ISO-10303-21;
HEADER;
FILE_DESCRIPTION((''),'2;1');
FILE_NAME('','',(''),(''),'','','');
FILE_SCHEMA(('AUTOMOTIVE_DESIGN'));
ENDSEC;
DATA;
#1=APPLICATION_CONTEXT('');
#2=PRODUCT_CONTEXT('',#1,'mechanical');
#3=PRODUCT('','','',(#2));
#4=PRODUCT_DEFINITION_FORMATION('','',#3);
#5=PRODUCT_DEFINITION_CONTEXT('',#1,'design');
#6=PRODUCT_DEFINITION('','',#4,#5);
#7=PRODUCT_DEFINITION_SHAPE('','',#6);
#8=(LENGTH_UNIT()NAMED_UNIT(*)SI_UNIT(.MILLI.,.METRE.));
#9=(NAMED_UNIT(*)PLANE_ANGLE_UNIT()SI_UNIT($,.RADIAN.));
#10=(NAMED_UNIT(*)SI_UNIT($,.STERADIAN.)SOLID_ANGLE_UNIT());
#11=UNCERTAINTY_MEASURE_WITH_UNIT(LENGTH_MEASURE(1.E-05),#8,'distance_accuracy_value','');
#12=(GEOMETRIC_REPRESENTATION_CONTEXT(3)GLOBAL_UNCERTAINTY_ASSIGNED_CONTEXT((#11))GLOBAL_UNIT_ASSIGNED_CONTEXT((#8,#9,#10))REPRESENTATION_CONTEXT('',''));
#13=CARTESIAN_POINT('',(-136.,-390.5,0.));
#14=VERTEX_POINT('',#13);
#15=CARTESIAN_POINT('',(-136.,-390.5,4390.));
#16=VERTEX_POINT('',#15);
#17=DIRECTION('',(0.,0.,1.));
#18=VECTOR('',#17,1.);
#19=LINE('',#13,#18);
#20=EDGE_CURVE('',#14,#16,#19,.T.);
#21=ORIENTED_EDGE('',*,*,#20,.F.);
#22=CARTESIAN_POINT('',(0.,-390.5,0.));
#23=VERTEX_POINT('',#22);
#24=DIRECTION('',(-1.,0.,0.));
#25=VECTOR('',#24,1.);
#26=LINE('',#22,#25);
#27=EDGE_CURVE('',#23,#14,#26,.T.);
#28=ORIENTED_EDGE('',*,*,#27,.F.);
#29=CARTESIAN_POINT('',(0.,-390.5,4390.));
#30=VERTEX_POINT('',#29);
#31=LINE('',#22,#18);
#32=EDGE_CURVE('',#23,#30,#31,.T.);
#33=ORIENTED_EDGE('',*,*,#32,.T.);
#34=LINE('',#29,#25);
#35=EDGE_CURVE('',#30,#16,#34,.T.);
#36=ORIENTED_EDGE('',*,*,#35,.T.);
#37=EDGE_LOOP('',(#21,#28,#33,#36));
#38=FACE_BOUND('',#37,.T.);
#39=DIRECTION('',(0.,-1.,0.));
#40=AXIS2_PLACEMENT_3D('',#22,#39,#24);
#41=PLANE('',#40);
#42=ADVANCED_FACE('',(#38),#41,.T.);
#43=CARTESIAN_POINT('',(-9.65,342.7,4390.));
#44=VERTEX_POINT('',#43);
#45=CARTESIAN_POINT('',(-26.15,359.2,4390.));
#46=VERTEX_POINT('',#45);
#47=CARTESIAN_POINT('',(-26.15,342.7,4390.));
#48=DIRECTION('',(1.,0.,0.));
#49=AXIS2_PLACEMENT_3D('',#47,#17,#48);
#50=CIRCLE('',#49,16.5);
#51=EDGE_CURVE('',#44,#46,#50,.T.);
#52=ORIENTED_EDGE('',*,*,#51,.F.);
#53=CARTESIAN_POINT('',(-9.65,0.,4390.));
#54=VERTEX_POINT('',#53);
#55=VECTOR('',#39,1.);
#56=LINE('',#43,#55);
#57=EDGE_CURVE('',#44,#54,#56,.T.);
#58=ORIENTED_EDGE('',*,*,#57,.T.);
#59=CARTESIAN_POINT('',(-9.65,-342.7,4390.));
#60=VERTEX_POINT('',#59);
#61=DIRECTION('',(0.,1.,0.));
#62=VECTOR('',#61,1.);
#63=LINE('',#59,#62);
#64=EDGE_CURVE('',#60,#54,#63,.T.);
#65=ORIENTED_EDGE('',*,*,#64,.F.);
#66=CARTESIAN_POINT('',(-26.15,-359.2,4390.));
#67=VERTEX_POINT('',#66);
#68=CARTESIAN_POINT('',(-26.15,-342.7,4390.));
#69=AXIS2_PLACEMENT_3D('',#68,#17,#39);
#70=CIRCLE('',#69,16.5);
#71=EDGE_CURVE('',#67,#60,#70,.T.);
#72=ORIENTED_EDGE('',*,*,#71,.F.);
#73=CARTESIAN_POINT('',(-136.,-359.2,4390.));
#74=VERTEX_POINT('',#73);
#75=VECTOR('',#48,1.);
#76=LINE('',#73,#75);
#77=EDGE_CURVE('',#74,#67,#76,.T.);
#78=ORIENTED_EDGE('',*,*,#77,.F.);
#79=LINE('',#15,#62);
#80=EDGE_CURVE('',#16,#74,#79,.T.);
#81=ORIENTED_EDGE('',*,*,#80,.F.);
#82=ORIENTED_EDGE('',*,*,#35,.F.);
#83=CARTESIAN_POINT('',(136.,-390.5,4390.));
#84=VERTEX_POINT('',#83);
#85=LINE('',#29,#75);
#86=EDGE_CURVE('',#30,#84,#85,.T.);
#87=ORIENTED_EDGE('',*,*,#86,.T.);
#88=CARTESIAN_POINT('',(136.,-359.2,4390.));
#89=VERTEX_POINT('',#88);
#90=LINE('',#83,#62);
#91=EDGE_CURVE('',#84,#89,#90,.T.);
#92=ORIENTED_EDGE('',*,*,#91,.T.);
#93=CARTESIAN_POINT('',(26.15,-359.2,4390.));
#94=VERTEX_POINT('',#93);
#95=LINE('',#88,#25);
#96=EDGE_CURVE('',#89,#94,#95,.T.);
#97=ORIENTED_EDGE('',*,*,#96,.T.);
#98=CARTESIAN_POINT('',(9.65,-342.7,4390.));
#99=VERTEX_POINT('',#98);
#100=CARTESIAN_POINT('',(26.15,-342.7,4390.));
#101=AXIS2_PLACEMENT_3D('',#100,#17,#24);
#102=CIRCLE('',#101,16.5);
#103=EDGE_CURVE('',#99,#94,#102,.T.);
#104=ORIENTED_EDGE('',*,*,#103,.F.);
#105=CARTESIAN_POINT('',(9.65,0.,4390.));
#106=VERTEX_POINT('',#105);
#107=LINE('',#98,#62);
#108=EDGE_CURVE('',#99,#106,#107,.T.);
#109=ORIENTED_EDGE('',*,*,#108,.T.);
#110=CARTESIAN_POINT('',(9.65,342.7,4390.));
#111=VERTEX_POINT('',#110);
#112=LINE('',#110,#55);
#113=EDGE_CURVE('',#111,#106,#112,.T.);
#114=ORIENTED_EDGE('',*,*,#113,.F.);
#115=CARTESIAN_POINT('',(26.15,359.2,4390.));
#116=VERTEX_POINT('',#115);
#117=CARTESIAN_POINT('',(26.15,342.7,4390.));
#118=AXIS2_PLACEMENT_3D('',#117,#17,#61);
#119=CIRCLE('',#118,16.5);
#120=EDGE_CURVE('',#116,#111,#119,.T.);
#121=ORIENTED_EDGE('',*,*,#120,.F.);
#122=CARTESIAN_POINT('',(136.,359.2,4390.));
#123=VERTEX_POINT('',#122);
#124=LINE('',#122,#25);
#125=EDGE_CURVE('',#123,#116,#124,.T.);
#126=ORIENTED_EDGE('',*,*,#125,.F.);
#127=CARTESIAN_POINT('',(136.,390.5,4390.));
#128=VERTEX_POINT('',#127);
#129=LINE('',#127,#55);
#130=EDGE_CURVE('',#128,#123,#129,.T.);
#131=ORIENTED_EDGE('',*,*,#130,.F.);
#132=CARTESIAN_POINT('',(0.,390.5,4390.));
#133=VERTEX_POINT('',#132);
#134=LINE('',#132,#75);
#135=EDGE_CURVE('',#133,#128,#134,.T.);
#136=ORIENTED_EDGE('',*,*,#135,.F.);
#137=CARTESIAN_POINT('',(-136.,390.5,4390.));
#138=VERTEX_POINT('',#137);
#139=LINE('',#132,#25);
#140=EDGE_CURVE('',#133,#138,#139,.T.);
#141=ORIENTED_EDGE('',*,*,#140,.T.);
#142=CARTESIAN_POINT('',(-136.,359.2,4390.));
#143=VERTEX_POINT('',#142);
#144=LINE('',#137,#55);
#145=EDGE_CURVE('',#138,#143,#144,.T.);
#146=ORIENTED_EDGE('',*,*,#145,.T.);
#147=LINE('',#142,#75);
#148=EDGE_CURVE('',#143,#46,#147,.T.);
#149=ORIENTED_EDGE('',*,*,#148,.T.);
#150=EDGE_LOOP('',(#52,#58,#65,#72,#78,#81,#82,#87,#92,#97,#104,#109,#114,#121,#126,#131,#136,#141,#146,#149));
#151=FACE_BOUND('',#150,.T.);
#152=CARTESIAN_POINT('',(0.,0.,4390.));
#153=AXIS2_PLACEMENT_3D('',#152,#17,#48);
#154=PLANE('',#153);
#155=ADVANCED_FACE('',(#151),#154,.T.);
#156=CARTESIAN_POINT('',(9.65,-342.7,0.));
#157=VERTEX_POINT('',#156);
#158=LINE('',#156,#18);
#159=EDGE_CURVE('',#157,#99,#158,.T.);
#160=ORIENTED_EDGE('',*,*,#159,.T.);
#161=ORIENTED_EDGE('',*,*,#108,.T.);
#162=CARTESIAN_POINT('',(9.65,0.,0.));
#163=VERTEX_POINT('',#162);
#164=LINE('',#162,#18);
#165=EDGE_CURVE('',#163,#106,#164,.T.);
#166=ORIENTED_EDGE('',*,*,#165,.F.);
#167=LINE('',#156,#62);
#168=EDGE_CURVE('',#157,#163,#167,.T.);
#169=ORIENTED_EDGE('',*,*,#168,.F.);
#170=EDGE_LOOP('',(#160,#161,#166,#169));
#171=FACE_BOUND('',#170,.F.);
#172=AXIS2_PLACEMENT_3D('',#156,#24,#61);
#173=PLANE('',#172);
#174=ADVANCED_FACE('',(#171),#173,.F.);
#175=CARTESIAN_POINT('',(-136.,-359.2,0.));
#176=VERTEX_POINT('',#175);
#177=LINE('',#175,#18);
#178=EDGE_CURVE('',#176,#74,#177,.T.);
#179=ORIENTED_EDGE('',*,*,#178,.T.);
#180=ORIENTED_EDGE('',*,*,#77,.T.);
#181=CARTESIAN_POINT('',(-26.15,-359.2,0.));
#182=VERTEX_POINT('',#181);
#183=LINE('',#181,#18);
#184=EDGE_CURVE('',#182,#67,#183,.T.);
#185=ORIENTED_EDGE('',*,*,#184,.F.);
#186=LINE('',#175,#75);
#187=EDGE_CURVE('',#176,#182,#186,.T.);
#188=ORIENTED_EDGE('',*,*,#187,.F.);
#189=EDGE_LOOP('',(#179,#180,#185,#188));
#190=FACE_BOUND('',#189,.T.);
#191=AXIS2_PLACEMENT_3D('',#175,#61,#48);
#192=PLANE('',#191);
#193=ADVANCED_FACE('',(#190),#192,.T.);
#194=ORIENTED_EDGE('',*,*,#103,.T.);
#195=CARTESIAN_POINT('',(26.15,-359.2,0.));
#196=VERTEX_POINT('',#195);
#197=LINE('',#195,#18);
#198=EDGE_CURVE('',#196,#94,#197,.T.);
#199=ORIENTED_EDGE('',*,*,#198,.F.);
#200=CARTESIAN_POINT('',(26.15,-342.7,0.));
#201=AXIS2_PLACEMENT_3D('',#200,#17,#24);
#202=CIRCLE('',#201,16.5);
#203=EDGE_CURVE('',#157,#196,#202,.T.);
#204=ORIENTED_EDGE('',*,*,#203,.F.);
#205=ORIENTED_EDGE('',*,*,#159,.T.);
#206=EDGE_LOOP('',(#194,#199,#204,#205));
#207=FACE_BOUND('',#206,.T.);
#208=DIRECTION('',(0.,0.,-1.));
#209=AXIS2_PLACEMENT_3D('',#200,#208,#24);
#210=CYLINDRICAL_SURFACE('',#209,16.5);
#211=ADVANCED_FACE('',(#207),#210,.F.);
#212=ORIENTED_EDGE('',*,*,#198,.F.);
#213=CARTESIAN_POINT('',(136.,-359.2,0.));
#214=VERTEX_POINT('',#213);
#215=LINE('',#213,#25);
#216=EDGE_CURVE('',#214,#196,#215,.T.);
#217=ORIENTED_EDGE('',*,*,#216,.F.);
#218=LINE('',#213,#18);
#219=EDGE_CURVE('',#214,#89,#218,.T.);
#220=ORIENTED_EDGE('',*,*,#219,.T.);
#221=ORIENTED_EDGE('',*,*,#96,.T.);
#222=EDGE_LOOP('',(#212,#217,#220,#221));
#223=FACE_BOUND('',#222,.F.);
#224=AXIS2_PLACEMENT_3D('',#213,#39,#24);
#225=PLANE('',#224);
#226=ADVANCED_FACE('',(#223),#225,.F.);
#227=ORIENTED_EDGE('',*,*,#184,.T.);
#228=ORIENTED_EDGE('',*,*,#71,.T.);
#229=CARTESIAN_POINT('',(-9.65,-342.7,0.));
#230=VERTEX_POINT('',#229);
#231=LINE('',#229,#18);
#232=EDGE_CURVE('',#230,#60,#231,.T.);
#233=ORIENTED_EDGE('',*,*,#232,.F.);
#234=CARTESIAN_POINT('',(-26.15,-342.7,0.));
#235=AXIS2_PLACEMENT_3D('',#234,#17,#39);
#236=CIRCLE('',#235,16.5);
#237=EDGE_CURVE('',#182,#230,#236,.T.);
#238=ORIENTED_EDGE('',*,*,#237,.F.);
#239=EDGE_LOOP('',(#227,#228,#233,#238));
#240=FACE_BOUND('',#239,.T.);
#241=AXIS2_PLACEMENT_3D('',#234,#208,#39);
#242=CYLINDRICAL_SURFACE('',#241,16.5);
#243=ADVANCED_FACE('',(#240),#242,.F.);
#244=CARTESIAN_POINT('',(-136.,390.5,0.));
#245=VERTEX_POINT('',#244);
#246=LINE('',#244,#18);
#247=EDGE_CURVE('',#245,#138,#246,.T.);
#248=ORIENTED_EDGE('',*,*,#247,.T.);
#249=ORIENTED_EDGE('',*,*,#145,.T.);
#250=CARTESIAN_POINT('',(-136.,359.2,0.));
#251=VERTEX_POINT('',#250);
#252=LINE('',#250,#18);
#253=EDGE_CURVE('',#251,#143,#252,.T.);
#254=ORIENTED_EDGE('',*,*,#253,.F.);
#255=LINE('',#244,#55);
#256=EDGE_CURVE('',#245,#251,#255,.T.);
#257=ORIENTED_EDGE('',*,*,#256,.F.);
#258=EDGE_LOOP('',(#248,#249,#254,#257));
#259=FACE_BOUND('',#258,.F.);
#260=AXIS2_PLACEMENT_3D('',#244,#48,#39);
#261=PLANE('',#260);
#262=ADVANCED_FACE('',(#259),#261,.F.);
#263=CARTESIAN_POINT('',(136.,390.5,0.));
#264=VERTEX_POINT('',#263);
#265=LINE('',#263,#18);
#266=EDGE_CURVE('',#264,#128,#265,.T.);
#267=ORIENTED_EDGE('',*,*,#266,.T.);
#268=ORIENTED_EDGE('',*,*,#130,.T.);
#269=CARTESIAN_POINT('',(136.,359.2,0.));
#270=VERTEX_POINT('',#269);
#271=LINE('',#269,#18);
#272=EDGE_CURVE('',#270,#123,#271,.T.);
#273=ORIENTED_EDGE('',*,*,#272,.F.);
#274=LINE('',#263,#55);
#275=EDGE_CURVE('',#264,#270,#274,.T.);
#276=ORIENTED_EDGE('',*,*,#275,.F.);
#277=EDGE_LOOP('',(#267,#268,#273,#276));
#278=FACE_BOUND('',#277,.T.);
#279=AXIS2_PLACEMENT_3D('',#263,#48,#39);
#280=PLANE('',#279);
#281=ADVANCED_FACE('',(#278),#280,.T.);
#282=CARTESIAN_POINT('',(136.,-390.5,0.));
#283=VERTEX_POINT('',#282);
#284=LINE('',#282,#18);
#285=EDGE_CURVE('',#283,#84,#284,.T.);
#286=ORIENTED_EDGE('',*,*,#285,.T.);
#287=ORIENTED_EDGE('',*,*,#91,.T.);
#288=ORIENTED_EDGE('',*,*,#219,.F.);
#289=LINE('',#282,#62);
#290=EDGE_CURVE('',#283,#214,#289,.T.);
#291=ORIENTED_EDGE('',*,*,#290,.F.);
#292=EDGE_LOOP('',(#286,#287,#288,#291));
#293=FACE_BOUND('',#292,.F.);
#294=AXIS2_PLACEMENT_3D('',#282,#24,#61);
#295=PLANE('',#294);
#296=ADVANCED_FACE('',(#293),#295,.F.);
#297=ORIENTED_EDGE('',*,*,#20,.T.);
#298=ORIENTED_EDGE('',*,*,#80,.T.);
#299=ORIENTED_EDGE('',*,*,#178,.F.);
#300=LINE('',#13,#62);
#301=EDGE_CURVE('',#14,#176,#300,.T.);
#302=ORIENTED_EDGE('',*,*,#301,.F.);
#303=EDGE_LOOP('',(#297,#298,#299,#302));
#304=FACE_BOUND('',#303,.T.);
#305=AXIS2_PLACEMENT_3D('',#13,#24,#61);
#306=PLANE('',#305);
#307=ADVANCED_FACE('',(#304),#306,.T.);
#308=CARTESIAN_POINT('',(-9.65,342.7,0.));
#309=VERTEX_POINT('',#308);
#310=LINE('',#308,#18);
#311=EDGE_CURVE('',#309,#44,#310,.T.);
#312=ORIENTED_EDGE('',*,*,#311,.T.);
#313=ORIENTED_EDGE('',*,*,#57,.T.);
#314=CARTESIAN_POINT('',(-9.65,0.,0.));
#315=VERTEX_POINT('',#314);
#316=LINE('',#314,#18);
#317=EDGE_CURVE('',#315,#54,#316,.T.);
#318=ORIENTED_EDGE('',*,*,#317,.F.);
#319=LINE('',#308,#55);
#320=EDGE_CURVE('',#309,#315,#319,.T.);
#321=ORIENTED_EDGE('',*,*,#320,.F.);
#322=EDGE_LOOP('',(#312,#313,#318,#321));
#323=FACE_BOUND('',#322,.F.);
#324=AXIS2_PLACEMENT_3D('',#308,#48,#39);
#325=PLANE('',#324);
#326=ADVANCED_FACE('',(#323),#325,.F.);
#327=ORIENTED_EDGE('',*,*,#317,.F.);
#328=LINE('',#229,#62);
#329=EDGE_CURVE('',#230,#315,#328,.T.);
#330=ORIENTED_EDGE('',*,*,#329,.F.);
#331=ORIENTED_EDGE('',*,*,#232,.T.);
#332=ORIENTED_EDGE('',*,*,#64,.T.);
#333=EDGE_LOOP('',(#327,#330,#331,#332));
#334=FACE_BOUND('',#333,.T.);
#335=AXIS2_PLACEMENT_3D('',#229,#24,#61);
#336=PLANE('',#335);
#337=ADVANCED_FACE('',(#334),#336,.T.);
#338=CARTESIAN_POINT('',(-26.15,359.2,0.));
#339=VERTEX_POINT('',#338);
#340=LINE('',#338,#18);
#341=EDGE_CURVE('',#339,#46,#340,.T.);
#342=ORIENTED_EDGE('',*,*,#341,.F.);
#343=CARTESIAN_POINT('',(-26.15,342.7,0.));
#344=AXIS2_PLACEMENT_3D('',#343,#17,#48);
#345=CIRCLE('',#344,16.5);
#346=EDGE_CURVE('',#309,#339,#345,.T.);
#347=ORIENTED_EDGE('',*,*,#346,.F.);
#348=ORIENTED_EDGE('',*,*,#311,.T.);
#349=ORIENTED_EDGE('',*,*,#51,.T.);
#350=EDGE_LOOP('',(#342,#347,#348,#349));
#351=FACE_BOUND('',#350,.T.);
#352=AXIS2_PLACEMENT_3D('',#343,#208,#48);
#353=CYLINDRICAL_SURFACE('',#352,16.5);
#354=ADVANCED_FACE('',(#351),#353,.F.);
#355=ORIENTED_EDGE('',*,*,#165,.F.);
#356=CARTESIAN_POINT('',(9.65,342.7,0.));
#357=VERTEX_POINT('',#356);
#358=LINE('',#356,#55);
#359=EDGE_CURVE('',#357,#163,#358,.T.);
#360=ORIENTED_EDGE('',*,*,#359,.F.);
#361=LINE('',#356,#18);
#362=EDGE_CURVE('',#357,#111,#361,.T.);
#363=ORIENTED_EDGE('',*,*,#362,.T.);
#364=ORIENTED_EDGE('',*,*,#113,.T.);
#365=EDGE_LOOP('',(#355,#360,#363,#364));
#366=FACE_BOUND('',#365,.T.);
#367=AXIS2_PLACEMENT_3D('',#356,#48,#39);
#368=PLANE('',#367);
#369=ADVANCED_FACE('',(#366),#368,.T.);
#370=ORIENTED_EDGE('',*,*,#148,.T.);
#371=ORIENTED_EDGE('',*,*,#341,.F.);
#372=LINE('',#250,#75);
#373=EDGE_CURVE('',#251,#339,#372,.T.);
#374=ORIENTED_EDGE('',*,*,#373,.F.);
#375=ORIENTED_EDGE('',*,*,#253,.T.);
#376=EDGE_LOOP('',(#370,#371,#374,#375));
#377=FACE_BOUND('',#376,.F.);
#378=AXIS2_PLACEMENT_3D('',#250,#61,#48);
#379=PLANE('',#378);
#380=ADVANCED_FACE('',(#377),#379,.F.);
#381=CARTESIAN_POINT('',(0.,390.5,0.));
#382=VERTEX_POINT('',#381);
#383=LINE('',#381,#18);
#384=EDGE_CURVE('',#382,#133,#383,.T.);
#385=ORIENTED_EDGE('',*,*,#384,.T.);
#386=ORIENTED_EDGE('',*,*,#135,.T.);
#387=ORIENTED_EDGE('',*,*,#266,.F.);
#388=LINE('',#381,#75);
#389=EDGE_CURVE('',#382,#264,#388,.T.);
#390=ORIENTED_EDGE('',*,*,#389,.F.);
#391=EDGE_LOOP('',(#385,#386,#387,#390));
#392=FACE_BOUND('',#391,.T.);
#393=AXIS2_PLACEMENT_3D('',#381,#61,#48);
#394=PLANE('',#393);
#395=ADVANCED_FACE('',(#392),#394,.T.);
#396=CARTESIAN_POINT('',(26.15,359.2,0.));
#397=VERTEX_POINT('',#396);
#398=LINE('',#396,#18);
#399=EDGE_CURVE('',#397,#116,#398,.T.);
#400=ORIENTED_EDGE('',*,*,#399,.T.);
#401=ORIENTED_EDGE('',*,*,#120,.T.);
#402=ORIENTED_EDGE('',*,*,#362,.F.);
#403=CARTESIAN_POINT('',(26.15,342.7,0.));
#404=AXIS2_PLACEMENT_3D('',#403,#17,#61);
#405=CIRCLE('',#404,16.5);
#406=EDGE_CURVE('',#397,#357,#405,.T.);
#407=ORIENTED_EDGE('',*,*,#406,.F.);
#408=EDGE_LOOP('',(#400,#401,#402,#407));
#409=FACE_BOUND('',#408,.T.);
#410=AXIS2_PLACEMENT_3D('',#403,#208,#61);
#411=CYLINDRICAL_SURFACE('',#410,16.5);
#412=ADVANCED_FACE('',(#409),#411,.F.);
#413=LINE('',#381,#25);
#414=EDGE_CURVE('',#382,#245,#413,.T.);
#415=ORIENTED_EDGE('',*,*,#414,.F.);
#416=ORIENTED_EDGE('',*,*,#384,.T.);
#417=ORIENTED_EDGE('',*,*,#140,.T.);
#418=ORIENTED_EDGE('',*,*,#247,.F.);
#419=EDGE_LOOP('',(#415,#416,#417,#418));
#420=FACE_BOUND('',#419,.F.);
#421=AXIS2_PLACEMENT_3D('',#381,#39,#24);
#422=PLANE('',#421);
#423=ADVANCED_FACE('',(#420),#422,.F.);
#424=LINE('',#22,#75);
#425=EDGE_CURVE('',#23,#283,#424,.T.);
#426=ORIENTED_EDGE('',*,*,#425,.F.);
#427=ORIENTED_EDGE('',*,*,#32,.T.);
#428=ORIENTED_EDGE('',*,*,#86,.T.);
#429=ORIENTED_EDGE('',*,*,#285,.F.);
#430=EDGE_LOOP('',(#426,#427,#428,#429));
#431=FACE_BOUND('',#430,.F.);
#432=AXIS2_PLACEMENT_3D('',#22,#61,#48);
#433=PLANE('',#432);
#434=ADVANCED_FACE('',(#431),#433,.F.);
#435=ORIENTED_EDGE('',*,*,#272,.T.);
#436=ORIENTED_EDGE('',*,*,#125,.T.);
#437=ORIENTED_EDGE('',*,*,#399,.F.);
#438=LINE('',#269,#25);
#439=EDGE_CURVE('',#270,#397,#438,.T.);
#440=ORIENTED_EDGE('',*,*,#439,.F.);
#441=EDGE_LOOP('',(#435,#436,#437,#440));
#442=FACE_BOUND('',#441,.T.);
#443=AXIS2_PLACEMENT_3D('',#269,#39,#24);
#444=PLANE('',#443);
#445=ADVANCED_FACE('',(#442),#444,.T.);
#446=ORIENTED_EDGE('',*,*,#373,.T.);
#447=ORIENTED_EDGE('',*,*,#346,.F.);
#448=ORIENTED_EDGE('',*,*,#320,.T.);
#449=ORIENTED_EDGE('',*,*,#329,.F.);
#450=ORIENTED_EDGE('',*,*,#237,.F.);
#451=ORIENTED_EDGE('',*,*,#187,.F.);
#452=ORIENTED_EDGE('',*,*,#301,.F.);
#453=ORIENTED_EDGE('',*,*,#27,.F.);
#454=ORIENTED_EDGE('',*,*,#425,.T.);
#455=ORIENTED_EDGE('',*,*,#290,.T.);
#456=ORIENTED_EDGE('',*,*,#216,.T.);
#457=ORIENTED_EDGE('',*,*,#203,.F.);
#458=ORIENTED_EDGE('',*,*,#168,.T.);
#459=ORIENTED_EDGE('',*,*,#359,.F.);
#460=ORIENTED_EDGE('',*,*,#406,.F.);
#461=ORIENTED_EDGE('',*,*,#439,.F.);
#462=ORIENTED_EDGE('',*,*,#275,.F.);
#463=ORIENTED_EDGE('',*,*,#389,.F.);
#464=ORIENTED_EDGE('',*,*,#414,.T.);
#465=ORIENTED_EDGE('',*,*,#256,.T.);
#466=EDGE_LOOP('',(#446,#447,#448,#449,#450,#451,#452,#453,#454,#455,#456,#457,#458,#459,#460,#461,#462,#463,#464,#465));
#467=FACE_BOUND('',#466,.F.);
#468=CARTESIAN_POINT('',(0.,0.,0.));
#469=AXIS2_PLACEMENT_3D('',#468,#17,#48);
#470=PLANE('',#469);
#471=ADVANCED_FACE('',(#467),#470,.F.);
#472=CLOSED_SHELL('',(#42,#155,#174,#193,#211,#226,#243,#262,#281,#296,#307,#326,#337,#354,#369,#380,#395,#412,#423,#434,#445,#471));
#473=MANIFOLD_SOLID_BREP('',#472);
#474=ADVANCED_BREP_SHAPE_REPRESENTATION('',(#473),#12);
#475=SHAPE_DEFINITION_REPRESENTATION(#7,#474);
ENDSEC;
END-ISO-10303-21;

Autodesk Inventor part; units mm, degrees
ref_plane "YZ Plane" through (0, 0, 0) normal (1, 0, 0) x (0, 1, 0)
ref_plane "Start plane" through (0, 0, 0) normal (0, 0, 1) x (1, 0, 0)
ref_plane "End plane" through (0, 0, 4390) normal (0, 0, 1) x (1, 0, 0)
sketch "Sketch" plane through (0, 0, 0) normal (0, 0, 1) x (1, 0, 0)
  line L0 (-136, -390.5) -> (-136, -359.2)
  line L1 (-136, -359.2) -> (-26.15, -359.2)
  line L2 (-9.65, -342.7) -> (-9.65, 0)
  line L3 (-9.65, 0) -> (0, 0) construction
  line L4 (0, 0) -> (0, -390.5) construction
  line L5 (0, -390.5) -> (-136, -390.5)
  line L6 (-60, 0) -> (80, 0) construction
  line L7 (0, -60) -> (0, 80) construction
  line L8 (136, -390.5) -> (136, -359.2)
  line L9 (136, -359.2) -> (26.15, -359.2)
  line L10 (9.65, -342.7) -> (9.65, 0)
  line L11 (9.65, 0) -> (0, 0) construction
  line L12 (0, -390.5) -> (136, -390.5)
  line L13 (-136, 390.5) -> (-136, 359.2)
  line L14 (-136, 359.2) -> (-26.15, 359.2)
  line L15 (-9.65, 342.7) -> (-9.65, 0)
  line L16 (0, 390.5) -> (-136, 390.5)
  line L17 (136, 390.5) -> (136, 359.2)
  line L18 (136, 359.2) -> (26.15, 359.2)
  line L19 (0, 390.5) -> (136, 390.5)
  line L20 (9.65, 342.7) -> (9.65, 0)
  arc A0 (-9.65, 342.7) -> (-26.15, 359.2) centre (-26.15, 342.7) ccw
  arc A1 (26.15, 359.2) -> (9.65, 342.7) centre (26.15, 342.7) ccw
  arc A2 (9.65, -342.7) -> (26.15, -359.2) centre (26.15, -342.7) ccw
  arc A3 (-26.15, -359.2) -> (-9.65, -342.7) centre (-26.15, -342.7) ccw
  line L21 (0, 108) -> (0, -88) construction
  line L22 (-88, 0) -> (108, 0) construction
  point P0 (-9.65, -359.2)
  point P1 (9.65, -359.2)
  point P2 (-9.65, 359.2)
  point P3 (9.65, 359.2)
  dimension "d1" = 390.5
  dimension "d2" = 31.3
  dimension "d3" = 136
  dimension "d4" = 9.65
  dimension "d10" = 16.5
extrude "Body" add sketch "Sketch" along normal up to surface (4390 mm away) from surface at 0
sketch "Sketch4" plane through (0, 0, 0) normal (0, 0, 1) x (1, 0, 0)
  line L0 (0, 0) -> (10, 0)
ref_plane "Work Plane3" through (0, 0, 0) normal (0, -1, 0) x (1, 0, 0)
sketch "Sketch5" plane through (0, 0, 0) normal (0, -1, 0) x (1, 0, 0)
  line L0 (-2, 0) -> (12, 0) projected
  line L1 (-2, 4390) -> (12, 4390) projected
  dimension "d14" = 4390
equation "\"d1\" = 0.5 * G_H"
equation "\"d2\" = G_T1"
equation "\"d3\" = 0.5 * G_W"
equation "\"d4\" = 0.5 * G_T"
equation "\"d10\" = G_IR"
equation "\"d5\" = G_L"
equation "\"G_W\" = 272"
equation "\"G_H\" = 781"
equation "\"G_T\" = 19.3"
equation "\"G_T1\" = 31.3"
equation "\"G_IR\" = 16.5"
equation "\"G_L\" = d14"
equation "\"G_OFFSET_START\" = 0"
equation "\"G_OFFSET_END\" = 0"
properties part number "AS 3679-1990 - 760 UB - 244 - 4390" material "Steel, Mild"
